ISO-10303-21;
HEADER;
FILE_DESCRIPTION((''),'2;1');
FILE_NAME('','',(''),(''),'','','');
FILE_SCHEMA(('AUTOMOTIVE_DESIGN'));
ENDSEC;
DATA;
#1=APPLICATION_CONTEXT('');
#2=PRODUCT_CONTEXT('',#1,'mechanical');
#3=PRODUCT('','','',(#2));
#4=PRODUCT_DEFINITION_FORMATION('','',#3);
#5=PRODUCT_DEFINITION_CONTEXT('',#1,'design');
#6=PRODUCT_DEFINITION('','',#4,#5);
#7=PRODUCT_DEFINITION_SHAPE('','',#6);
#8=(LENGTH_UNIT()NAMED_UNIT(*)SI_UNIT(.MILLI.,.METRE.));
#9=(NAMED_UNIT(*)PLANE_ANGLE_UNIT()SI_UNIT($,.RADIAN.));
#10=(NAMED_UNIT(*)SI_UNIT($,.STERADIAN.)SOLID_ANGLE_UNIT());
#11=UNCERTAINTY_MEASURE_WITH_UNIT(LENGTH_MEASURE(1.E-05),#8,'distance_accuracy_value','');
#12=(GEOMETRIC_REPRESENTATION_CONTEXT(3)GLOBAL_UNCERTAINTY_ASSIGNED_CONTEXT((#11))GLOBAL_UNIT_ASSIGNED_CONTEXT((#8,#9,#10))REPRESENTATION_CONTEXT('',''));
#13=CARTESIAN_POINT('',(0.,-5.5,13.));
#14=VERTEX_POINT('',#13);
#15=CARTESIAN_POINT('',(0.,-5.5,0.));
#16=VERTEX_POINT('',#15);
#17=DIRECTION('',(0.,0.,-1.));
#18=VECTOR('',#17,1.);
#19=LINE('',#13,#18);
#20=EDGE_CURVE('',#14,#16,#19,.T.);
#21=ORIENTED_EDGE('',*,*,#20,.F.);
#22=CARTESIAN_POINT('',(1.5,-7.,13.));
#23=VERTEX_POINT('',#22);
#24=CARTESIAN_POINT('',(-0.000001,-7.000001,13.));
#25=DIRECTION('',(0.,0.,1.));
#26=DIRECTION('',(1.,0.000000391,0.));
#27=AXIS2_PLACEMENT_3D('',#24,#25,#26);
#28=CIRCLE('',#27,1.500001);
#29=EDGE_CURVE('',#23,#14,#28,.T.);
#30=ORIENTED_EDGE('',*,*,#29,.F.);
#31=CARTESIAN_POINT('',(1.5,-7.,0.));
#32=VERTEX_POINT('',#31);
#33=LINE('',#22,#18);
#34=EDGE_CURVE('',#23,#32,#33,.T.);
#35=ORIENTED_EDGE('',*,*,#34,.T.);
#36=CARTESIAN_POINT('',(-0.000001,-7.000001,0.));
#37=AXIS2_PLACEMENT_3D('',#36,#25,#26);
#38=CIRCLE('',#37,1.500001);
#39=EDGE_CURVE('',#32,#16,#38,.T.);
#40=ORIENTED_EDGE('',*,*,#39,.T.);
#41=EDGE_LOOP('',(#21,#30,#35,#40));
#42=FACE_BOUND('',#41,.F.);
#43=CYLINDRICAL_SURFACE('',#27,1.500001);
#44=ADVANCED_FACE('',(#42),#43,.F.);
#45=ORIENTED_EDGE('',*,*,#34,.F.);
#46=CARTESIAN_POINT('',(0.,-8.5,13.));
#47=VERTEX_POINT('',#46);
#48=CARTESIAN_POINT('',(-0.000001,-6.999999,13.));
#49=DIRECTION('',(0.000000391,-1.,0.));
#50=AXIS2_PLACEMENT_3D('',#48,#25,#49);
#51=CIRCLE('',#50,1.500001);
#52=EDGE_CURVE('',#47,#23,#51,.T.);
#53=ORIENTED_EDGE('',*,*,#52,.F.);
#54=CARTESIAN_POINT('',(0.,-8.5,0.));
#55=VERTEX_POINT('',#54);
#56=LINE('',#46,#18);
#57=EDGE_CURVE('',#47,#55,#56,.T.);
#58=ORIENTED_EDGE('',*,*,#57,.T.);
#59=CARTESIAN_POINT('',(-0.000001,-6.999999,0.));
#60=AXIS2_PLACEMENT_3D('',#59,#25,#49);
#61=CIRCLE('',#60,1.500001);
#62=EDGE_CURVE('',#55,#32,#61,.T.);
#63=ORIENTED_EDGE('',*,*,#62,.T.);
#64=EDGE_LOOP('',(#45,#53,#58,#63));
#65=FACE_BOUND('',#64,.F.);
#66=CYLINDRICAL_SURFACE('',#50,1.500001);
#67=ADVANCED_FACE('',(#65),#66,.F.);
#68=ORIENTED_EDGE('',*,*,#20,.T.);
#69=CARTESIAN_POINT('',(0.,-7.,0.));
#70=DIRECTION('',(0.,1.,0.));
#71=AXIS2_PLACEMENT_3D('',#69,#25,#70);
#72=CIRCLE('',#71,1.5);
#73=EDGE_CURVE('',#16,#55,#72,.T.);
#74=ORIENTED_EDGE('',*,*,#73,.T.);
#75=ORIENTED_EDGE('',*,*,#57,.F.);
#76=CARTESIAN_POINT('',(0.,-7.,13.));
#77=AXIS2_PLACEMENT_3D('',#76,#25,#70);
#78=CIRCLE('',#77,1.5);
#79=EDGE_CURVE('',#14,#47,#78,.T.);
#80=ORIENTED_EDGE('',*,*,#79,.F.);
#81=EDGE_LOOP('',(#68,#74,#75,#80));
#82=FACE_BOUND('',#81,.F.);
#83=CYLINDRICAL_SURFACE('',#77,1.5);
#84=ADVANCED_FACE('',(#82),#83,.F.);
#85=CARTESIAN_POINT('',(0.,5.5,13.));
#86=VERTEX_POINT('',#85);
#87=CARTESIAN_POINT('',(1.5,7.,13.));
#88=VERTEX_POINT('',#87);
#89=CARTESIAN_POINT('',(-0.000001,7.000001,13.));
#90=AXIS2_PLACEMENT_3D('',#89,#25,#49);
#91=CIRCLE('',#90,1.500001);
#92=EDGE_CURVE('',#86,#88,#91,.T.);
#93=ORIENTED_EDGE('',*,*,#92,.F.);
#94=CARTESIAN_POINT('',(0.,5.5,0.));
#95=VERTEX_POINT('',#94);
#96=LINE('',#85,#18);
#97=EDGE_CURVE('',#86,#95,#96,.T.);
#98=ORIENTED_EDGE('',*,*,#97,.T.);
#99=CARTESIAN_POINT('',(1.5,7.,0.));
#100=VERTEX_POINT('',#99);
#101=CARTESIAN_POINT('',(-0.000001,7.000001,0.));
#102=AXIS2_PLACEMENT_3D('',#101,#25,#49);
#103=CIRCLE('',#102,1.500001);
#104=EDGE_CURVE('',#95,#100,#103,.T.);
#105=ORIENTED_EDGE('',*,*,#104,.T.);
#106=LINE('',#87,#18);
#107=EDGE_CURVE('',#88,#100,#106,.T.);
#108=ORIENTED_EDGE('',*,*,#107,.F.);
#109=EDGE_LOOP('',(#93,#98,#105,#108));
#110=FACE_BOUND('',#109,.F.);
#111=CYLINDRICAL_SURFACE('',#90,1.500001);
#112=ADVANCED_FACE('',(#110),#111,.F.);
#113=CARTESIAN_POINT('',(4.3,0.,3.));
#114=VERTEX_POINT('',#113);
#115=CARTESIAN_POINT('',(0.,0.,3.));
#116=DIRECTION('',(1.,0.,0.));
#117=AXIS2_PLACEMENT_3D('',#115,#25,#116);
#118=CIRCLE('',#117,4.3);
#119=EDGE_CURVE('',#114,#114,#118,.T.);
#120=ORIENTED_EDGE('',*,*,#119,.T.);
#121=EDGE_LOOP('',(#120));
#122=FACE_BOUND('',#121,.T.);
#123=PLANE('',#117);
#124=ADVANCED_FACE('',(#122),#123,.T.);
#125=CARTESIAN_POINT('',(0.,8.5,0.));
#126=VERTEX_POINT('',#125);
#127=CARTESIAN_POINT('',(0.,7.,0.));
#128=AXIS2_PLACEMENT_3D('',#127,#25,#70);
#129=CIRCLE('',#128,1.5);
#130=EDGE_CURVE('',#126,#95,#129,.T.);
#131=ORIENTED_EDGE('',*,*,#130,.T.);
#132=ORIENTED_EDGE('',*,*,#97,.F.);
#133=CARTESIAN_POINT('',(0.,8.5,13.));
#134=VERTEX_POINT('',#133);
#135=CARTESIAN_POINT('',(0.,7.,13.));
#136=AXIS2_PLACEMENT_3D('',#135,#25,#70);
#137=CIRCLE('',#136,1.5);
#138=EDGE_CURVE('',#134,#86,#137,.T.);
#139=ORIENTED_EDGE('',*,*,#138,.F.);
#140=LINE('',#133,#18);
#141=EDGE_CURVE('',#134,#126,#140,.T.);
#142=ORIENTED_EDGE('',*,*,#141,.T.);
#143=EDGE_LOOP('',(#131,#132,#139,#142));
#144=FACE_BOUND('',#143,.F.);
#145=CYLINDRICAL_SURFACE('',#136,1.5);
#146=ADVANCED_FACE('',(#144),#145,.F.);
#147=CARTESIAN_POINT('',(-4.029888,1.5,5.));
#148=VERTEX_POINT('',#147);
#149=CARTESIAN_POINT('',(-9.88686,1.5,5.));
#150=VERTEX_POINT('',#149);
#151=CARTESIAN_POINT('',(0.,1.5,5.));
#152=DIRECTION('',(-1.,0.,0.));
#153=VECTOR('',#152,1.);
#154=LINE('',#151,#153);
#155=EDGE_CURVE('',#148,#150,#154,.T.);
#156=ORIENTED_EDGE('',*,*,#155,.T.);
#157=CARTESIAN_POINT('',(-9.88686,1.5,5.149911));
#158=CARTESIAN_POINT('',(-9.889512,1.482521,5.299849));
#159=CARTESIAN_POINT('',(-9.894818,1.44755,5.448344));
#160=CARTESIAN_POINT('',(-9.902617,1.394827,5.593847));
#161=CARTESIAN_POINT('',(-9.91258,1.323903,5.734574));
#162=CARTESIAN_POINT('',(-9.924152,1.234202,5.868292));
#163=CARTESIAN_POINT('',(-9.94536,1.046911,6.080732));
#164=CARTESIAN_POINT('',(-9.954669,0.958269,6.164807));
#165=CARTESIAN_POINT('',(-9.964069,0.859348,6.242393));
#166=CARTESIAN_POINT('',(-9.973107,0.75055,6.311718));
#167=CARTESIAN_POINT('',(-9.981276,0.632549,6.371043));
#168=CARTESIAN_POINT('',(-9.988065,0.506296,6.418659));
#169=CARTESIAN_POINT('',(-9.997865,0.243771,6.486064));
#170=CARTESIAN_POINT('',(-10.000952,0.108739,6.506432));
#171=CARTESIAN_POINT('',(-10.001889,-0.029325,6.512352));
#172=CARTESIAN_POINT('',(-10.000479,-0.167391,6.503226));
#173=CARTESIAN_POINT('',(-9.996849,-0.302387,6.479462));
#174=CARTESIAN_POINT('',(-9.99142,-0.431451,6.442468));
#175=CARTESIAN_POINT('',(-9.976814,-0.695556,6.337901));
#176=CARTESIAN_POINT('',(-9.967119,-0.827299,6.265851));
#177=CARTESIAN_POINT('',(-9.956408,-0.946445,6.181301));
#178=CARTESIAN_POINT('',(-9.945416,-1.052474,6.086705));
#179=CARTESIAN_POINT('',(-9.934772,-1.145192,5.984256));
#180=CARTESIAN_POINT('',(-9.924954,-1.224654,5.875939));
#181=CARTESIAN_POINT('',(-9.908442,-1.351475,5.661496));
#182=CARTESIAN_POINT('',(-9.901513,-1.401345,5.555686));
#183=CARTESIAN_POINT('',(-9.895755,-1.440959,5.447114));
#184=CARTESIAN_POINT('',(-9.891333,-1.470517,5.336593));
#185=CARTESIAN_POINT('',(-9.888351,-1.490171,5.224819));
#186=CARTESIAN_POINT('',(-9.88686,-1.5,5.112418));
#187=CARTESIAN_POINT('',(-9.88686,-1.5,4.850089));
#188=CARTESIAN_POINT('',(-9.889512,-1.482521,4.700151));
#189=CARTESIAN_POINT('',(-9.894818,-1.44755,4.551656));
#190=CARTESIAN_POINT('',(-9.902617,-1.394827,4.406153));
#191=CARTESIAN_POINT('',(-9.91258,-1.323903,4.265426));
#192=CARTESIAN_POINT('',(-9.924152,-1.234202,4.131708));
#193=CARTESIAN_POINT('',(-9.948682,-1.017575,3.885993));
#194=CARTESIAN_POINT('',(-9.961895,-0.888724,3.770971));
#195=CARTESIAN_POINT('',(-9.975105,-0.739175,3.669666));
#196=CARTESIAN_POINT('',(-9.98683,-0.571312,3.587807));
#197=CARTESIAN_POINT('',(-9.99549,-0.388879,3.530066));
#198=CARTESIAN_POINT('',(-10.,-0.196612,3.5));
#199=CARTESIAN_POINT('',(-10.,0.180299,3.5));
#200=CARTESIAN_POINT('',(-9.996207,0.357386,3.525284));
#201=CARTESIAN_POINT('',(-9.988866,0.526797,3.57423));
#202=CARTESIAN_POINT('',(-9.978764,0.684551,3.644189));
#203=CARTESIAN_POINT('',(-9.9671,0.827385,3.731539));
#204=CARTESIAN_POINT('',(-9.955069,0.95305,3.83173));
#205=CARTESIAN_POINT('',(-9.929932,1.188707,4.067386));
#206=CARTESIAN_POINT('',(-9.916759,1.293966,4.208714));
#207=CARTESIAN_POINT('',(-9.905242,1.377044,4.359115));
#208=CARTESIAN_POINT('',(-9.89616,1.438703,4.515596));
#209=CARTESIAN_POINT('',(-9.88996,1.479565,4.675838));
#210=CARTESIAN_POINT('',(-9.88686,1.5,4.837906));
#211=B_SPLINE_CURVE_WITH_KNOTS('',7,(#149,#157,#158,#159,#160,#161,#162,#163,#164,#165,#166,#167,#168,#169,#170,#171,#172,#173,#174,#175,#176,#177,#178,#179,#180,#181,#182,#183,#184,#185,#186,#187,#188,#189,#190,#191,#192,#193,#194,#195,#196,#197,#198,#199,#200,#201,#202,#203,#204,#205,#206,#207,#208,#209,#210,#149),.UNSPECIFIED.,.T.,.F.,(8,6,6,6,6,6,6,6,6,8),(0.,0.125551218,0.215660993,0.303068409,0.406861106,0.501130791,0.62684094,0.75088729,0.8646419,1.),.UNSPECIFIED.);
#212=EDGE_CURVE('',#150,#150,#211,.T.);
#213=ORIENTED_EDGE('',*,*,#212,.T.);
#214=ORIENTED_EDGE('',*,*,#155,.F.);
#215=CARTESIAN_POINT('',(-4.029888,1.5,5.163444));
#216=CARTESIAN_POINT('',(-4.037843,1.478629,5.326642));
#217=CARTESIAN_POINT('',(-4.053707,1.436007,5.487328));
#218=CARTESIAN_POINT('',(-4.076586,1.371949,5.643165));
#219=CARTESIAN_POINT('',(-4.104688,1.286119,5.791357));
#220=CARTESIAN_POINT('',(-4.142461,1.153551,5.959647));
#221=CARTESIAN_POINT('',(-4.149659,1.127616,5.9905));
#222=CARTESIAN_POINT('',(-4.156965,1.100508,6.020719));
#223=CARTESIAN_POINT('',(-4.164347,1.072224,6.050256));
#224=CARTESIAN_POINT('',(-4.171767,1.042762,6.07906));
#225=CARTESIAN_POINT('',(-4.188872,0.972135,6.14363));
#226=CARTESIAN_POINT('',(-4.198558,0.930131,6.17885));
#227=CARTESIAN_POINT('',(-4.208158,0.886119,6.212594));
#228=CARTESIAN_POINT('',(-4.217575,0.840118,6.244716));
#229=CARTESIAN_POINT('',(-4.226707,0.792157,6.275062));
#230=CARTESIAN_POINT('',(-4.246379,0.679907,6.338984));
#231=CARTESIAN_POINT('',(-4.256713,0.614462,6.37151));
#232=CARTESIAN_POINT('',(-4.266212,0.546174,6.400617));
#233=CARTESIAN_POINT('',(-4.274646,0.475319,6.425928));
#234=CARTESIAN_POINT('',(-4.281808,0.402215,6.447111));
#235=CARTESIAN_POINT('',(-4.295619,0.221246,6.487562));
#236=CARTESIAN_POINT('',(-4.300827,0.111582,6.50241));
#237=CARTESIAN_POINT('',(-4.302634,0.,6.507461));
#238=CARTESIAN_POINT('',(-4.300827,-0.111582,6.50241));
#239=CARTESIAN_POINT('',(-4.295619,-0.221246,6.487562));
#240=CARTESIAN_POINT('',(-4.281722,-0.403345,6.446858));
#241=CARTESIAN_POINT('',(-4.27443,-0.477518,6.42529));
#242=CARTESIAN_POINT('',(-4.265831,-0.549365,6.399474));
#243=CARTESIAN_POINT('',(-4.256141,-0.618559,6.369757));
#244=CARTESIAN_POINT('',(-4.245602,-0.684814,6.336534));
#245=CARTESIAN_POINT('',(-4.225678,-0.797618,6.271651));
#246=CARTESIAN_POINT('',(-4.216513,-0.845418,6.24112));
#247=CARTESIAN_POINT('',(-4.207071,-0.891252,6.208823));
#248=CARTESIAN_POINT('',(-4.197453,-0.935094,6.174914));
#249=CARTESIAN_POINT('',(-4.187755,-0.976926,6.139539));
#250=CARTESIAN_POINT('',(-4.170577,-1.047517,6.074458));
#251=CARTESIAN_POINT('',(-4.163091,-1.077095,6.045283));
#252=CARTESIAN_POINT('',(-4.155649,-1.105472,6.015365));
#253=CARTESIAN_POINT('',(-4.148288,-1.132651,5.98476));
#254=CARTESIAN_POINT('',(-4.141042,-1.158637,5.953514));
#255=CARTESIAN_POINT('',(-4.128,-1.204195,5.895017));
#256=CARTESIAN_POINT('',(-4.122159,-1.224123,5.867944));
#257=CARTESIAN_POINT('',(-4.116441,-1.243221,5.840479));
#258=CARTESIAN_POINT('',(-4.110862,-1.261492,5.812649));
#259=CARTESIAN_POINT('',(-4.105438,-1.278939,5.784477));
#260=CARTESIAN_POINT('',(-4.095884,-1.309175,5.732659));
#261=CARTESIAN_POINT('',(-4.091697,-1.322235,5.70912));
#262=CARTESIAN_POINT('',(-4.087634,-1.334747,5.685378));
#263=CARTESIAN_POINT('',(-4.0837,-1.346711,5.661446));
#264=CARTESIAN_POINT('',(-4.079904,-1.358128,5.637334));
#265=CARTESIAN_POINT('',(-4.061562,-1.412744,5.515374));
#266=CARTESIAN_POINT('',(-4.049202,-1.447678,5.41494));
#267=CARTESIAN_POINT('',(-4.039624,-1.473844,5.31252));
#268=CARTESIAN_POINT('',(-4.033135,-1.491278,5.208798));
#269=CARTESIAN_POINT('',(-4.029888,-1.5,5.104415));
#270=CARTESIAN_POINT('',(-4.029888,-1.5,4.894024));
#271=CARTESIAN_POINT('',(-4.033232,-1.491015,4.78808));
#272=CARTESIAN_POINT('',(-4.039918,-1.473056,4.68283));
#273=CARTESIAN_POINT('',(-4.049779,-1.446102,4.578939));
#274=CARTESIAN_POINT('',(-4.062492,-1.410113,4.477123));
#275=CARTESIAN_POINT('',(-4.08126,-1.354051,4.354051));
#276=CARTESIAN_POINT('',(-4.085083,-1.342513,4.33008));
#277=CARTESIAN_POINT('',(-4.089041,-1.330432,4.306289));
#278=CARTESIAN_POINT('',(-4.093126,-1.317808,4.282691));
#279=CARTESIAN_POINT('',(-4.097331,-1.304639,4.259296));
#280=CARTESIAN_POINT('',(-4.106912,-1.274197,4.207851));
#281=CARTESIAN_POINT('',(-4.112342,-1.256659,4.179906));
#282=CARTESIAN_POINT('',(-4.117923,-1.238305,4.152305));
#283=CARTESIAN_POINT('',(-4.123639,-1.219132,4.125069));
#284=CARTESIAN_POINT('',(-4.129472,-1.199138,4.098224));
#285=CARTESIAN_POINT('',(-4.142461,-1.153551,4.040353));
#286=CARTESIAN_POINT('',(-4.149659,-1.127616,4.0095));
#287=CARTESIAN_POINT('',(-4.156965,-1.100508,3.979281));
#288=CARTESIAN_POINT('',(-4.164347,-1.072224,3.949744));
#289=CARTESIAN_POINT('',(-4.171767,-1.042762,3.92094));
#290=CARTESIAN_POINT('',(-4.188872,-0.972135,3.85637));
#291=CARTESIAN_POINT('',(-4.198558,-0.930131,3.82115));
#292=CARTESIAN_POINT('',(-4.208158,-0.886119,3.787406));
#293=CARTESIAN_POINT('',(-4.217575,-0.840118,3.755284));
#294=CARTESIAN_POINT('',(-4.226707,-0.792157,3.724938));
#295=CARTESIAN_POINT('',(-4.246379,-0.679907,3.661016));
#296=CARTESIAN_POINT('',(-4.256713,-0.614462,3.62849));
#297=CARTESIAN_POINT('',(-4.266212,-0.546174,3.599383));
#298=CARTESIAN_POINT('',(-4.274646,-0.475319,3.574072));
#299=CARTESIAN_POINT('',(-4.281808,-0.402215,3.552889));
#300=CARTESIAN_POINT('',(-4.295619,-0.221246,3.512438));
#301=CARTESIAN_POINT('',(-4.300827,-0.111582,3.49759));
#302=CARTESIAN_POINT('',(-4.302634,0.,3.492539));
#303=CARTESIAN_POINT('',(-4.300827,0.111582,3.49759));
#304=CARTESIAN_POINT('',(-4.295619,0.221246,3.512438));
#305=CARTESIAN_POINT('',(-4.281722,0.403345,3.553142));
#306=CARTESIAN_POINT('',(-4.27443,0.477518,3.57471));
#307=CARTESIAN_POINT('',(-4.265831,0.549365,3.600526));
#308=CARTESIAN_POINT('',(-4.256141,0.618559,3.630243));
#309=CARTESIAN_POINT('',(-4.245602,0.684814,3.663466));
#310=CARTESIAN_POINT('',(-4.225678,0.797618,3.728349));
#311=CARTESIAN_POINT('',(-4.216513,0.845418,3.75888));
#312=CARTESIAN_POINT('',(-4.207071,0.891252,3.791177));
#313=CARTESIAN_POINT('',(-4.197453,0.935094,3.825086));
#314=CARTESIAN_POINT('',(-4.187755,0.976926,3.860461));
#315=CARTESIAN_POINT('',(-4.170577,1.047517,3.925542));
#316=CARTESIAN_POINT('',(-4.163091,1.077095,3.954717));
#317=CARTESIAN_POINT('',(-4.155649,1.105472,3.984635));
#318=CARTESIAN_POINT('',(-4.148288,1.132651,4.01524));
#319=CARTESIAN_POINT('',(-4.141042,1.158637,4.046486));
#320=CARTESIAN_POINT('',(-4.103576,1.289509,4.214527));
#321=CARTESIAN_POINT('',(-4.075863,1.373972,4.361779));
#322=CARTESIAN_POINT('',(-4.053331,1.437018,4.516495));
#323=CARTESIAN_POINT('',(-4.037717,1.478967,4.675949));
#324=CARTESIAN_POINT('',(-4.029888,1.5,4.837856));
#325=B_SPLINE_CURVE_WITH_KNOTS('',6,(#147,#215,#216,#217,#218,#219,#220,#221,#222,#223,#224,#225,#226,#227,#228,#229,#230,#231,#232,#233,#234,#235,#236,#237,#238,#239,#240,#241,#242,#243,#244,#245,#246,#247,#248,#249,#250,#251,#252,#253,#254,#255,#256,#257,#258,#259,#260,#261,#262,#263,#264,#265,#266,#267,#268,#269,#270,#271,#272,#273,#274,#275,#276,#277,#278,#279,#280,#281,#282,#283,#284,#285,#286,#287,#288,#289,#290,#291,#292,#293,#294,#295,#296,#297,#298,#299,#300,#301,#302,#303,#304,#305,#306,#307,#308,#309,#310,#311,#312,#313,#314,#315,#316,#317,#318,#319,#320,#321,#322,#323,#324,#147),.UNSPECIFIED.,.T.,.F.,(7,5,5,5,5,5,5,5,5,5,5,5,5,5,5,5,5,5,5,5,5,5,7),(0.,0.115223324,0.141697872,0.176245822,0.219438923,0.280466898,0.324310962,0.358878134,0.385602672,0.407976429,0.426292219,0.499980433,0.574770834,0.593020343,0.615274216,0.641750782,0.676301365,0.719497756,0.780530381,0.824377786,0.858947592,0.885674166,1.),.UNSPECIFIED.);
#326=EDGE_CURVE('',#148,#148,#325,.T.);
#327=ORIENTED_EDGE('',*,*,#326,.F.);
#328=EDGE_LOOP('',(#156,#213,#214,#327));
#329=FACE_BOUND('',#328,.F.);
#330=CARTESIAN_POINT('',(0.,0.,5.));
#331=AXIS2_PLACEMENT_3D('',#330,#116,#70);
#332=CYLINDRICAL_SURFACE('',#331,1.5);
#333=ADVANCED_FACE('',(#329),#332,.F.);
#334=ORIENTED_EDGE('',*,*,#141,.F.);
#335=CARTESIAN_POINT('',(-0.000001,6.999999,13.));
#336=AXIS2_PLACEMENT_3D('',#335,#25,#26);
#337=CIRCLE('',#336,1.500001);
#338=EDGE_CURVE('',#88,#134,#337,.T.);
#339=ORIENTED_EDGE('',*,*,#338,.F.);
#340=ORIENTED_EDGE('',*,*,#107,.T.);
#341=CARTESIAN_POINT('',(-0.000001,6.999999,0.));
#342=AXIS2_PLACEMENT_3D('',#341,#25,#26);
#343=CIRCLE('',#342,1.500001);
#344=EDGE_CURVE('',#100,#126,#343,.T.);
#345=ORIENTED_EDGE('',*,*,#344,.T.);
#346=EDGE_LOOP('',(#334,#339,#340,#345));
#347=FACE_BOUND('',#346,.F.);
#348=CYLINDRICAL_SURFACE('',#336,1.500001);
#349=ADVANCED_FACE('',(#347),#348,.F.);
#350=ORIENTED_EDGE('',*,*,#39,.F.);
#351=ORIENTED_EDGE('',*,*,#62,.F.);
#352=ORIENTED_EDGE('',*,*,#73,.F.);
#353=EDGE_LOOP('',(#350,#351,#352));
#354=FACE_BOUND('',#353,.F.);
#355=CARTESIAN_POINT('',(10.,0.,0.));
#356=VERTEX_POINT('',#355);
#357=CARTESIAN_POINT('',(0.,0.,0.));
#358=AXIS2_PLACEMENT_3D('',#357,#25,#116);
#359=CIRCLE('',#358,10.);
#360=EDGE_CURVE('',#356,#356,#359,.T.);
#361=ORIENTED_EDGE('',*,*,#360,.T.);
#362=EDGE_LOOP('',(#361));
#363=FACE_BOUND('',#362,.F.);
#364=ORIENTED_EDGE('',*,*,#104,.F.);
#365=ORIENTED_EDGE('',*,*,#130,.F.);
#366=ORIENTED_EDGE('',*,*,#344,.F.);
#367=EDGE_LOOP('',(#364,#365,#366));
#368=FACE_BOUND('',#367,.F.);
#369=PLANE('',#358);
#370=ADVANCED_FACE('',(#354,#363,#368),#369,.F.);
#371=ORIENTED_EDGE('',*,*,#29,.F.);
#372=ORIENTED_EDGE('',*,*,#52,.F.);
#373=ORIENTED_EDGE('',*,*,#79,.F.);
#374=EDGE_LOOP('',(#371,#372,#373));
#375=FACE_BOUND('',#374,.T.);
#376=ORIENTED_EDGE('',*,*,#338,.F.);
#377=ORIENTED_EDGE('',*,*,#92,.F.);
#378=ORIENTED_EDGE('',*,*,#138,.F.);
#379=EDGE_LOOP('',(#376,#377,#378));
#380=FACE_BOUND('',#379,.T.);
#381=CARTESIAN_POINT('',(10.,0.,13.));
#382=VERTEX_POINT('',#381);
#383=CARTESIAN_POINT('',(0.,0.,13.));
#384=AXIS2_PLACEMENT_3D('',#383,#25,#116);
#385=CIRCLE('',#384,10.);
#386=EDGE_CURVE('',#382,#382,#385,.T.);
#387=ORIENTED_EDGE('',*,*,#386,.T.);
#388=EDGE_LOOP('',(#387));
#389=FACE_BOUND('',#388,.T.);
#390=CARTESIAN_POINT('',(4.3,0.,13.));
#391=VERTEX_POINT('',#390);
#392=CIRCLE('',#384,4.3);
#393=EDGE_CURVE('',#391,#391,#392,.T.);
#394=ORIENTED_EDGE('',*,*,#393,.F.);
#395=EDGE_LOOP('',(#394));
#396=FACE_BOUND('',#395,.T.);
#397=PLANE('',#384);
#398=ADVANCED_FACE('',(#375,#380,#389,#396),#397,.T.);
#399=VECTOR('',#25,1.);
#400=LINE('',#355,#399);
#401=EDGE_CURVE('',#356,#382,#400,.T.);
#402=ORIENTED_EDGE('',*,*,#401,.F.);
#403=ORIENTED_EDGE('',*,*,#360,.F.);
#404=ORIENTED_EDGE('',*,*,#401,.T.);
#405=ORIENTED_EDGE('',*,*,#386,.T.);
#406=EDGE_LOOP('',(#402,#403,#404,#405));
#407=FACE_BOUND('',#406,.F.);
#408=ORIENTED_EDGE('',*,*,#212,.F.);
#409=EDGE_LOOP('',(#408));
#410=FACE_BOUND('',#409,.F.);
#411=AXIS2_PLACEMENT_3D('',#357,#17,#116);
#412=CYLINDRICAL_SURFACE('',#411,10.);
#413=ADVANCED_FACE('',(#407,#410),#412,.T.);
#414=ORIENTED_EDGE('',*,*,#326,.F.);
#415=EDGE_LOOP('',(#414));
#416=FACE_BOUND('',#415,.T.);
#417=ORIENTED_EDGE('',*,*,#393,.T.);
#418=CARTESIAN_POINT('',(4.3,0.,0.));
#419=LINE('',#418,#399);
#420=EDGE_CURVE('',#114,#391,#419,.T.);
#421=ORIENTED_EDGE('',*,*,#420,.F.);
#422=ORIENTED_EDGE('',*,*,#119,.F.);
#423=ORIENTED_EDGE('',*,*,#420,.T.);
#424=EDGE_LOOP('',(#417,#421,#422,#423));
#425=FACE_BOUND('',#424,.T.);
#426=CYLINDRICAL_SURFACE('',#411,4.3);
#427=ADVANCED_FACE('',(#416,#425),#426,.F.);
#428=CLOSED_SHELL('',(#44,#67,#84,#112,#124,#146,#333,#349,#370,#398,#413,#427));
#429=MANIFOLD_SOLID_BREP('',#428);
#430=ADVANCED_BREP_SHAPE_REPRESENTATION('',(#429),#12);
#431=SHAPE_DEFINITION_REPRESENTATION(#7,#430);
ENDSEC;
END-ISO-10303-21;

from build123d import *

# Parameters (mm, degrees)
F0_R     = 10
F0_R_2   = 4.3
F1_DEPTH = 13
F2_R     = 4.3
F3_DEPTH = 3
F6_DEPTH = 25.4
F7_R     = 1.5
F8_DEPTH = 25.4


with BuildPart() as f1:
    # F0 (on Top) → F1 (new body)
    with BuildSketch(Plane.XY):
        Circle(F0_R)
        Circle(F0_R_2, mode=Mode.SUBTRACT)
    extrude(amount=F1_DEPTH)

    # F2 (on Top) → F3 (join)
    with BuildSketch(Plane.XY):
        Circle(F2_R)
    extrude(amount=F3_DEPTH)

    # F5 (on offset) → F6 (cut)
    with BuildSketch(Plane.XY.offset(13)):
        with BuildLine():
            ThreePointArc((0, -5.5), (-1.5, -7), (0, -8.5))
            Line((0, -8.5), (0, -5.5))
        make_face()
        with BuildLine():
            ThreePointArc((0, 8.5), (-1.5, 7), (0, 5.5))
            Line((0, 5.5), (0, 8.5))
        make_face()
        with BuildLine():
            Line((0, 8.5), (0, 5.5))
            ThreePointArc((0, 5.5), (1.06066, 5.93934), (1.5, 7))
            ThreePointArc((1.5, 7), (1.06066, 8.06066), (0, 8.5))
        make_face()
        with BuildLine():
            Line((0, -5.5), (0, -8.5))
            ThreePointArc((0, -8.5), (1.06066, -8.06066), (1.5, -7))
            ThreePointArc((1.5, -7), (1.06066, -5.93934), (0, -5.5))
        make_face()
    extrude(amount=-F6_DEPTH, mode=Mode.SUBTRACT)

    # F7 (on Right) → F8 (cut)
    with BuildSketch(Plane.YZ):
        with Locations((0, 5)):
            Circle(F7_R)
    extrude(amount=-F8_DEPTH, mode=Mode.SUBTRACT)


solid = f1.part
